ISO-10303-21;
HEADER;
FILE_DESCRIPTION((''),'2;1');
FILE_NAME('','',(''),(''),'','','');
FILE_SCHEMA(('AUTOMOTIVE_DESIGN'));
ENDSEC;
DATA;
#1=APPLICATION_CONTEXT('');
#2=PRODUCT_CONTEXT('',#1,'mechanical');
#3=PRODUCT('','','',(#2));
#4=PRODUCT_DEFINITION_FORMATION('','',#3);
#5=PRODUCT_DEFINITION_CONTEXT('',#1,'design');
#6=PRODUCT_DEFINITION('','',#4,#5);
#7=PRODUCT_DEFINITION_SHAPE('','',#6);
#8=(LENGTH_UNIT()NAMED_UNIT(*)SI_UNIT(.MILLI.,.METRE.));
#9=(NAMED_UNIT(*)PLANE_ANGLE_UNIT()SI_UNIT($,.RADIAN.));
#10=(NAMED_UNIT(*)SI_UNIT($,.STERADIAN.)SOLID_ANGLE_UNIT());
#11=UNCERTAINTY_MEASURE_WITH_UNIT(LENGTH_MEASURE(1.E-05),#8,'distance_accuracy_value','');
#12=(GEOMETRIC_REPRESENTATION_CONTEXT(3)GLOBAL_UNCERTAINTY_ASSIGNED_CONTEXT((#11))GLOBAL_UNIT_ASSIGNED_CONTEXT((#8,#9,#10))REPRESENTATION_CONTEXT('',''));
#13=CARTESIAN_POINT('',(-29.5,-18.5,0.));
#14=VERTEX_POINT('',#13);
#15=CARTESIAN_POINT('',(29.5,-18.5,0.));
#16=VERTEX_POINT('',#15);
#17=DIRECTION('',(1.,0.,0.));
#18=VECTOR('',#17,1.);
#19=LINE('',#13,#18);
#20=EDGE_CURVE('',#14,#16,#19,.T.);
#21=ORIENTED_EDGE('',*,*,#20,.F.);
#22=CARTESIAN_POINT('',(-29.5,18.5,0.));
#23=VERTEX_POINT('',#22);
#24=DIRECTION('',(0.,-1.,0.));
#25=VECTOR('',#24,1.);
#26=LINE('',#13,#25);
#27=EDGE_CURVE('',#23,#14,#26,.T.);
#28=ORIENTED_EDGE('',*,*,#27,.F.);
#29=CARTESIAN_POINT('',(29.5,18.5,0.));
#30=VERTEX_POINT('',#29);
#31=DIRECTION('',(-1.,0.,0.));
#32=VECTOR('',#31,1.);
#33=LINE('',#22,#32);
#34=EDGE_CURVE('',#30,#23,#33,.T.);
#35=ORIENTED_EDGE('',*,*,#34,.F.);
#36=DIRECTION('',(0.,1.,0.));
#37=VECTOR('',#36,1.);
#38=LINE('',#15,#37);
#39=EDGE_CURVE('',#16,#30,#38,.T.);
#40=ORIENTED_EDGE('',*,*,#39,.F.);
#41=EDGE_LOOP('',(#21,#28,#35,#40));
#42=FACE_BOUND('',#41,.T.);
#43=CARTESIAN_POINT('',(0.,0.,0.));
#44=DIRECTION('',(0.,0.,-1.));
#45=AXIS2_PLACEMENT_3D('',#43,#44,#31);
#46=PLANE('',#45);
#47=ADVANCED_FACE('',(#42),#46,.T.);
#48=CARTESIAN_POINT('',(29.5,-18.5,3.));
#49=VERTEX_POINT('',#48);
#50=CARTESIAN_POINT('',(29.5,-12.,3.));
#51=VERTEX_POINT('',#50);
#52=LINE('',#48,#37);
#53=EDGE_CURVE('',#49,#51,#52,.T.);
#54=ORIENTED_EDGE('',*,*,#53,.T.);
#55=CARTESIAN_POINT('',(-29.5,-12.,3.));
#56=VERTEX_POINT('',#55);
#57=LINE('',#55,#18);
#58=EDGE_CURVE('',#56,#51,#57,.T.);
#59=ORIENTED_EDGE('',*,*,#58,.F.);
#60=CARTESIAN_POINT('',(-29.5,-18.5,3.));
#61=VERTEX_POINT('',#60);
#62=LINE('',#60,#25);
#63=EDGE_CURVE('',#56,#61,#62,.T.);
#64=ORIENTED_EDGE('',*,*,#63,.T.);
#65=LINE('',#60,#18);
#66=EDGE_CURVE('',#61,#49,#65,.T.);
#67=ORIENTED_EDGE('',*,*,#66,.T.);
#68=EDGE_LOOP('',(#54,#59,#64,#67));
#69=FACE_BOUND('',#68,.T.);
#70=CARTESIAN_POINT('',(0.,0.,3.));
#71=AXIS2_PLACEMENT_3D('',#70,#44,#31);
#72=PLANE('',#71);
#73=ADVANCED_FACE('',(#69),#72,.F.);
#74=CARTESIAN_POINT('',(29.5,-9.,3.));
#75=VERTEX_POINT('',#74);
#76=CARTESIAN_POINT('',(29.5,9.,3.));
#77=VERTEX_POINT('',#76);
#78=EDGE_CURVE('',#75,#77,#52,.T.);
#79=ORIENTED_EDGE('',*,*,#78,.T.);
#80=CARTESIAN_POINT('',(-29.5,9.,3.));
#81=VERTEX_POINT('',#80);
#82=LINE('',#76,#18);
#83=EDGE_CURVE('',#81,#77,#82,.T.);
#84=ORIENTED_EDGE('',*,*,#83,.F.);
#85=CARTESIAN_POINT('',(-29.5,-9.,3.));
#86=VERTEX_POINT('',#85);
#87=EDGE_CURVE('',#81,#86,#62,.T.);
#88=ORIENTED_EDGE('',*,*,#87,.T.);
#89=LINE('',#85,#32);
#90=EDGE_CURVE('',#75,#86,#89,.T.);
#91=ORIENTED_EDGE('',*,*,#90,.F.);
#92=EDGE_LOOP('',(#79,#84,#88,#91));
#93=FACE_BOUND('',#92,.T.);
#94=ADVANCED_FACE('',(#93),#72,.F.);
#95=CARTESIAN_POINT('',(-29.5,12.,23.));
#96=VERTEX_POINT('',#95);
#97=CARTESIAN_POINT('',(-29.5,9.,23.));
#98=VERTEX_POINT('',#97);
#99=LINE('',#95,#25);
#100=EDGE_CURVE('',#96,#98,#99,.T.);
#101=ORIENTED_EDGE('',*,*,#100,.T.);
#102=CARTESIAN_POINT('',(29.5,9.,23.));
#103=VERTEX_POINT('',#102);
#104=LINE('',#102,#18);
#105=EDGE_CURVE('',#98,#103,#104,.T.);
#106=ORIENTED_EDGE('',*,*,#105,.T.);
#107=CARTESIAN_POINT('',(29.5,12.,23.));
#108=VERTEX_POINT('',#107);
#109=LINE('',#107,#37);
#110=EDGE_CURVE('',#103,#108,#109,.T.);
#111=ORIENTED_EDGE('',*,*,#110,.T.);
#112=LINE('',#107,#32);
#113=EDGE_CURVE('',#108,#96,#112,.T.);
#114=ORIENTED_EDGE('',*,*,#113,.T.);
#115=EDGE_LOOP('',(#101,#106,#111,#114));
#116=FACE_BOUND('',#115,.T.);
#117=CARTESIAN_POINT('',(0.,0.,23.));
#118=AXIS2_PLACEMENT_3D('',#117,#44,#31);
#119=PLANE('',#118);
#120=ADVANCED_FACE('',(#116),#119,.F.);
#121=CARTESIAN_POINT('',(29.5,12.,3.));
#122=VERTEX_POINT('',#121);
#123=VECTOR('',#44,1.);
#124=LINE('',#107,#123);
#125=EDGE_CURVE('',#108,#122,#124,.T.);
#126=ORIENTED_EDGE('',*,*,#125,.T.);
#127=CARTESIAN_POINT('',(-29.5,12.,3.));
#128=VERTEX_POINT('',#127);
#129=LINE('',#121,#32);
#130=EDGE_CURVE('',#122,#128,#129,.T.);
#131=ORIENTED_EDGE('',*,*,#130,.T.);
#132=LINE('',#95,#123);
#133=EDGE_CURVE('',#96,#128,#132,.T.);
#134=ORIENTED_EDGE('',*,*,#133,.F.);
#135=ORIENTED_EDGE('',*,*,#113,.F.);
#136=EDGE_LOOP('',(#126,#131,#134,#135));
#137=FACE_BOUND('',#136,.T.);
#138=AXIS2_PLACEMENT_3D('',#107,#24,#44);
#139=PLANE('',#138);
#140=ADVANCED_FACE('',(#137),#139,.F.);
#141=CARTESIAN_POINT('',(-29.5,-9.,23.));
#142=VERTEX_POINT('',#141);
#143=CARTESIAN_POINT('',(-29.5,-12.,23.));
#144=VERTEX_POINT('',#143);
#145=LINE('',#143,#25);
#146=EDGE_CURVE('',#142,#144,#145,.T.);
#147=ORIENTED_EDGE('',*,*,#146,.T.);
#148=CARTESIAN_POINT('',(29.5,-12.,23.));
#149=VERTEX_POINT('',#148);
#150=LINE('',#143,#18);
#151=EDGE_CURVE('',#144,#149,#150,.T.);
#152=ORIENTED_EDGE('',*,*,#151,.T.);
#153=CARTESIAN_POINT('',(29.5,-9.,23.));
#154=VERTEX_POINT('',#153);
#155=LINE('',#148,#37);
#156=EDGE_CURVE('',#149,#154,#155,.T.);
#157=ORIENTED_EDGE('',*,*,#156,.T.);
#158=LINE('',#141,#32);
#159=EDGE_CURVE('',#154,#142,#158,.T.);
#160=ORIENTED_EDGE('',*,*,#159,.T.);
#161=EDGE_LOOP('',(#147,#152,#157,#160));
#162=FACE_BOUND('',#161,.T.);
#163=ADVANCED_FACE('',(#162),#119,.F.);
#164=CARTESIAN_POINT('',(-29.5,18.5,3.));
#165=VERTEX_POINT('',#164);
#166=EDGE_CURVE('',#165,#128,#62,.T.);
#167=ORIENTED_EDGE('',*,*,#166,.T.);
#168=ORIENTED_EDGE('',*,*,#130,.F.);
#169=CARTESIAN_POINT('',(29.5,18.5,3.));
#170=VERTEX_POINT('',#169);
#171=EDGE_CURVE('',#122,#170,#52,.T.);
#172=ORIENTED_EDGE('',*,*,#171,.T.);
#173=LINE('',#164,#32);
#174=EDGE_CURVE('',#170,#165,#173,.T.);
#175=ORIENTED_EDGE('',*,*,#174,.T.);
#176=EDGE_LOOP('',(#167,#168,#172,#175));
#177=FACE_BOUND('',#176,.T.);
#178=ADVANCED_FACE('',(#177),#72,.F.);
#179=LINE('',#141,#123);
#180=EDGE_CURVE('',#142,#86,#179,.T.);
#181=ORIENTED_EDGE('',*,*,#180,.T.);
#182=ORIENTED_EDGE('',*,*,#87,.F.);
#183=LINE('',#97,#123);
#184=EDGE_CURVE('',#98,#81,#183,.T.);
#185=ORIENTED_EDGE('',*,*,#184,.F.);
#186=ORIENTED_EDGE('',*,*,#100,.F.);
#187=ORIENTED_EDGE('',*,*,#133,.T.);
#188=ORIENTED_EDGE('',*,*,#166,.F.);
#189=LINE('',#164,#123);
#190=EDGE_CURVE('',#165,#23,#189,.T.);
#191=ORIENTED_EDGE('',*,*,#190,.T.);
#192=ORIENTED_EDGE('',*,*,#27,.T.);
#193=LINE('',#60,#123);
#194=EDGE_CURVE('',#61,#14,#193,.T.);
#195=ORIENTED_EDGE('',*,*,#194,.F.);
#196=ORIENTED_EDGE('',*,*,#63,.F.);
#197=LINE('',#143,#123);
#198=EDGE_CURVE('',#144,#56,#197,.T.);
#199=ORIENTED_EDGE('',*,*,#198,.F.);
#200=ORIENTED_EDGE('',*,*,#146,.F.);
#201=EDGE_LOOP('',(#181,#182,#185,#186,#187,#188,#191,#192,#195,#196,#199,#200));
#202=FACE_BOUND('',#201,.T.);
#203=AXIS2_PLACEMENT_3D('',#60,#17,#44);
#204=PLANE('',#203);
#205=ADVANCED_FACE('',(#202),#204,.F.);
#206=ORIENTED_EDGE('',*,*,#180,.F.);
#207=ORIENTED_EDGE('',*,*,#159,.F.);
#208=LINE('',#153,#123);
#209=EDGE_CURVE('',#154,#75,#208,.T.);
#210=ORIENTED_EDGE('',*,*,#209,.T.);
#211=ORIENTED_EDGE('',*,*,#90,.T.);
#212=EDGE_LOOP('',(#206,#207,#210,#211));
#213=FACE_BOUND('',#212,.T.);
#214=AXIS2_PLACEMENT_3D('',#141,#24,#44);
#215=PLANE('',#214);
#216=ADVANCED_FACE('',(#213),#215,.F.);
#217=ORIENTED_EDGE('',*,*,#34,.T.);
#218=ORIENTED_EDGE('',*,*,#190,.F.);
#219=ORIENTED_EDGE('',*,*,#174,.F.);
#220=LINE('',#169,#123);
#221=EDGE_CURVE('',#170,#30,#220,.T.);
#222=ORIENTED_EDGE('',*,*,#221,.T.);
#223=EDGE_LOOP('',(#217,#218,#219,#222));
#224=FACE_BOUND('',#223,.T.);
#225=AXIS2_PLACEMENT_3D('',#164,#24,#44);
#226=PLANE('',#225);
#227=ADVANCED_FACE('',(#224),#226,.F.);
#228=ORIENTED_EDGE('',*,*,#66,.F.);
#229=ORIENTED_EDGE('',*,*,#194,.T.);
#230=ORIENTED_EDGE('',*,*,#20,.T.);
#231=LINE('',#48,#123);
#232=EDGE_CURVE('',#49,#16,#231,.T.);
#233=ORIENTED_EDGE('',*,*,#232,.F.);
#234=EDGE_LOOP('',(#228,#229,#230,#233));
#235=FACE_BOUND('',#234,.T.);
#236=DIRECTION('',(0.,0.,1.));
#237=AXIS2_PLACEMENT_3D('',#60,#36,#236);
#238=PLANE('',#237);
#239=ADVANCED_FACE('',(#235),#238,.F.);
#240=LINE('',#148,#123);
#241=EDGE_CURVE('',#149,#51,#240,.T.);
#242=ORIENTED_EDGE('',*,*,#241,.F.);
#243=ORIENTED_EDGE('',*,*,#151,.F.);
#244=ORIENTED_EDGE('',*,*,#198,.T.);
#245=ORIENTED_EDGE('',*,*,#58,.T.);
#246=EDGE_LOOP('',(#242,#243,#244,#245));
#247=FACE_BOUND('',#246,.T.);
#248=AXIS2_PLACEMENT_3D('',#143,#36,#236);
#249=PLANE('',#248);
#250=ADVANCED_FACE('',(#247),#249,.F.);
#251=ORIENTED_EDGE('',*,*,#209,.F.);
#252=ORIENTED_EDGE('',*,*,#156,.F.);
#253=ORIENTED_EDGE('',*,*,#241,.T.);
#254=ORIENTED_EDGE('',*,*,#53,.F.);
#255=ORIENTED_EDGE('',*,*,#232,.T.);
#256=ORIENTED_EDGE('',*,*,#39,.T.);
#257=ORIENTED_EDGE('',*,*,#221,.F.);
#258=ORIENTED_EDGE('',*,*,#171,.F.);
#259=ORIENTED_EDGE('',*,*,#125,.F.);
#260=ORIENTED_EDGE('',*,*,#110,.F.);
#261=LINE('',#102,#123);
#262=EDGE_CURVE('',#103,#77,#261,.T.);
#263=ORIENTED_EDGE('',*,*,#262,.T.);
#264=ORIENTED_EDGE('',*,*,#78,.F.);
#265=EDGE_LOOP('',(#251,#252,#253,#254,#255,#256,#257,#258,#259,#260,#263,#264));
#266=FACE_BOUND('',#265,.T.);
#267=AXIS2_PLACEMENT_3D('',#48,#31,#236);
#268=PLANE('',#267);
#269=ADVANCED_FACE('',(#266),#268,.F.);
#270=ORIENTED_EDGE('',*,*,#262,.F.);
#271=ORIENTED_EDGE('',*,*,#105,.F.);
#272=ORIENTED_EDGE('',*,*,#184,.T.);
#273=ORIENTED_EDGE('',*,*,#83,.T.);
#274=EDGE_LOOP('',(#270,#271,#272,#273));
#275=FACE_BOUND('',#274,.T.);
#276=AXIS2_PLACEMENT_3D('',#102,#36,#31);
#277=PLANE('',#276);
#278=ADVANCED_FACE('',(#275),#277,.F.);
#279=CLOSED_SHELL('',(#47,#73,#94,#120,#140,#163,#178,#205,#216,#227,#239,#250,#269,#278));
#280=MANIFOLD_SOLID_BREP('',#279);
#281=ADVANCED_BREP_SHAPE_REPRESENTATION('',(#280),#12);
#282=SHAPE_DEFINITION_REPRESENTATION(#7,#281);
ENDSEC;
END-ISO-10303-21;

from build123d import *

# Parameters (mm, degrees)
SKETCH_1_W      = 59
SKETCH_1_H      = 37
EXTRUDE_1_DEPTH = 3
SKETCH_2_W      = 59
SKETCH_2_H      = 3
EXTRUDE_2_DEPTH = 20


with BuildPart() as part:
    # 草图1 → 凸台-拉伸1 (new body)
    with BuildSketch(Plane.XY):
        Rectangle(SKETCH_1_W, SKETCH_1_H)
    extrude(amount=EXTRUDE_1_DEPTH)

    # 草图2 → 凸台-拉伸2 (add)
    with BuildSketch(Plane.XY.offset(3)):
        with Locations((0, -10.5)):
            Rectangle(SKETCH_2_W, SKETCH_2_H)
        with Locations((0, 10.5)):
            Rectangle(SKETCH_2_W, SKETCH_2_H)
    extrude(amount=EXTRUDE_2_DEPTH)


solid = part.part
